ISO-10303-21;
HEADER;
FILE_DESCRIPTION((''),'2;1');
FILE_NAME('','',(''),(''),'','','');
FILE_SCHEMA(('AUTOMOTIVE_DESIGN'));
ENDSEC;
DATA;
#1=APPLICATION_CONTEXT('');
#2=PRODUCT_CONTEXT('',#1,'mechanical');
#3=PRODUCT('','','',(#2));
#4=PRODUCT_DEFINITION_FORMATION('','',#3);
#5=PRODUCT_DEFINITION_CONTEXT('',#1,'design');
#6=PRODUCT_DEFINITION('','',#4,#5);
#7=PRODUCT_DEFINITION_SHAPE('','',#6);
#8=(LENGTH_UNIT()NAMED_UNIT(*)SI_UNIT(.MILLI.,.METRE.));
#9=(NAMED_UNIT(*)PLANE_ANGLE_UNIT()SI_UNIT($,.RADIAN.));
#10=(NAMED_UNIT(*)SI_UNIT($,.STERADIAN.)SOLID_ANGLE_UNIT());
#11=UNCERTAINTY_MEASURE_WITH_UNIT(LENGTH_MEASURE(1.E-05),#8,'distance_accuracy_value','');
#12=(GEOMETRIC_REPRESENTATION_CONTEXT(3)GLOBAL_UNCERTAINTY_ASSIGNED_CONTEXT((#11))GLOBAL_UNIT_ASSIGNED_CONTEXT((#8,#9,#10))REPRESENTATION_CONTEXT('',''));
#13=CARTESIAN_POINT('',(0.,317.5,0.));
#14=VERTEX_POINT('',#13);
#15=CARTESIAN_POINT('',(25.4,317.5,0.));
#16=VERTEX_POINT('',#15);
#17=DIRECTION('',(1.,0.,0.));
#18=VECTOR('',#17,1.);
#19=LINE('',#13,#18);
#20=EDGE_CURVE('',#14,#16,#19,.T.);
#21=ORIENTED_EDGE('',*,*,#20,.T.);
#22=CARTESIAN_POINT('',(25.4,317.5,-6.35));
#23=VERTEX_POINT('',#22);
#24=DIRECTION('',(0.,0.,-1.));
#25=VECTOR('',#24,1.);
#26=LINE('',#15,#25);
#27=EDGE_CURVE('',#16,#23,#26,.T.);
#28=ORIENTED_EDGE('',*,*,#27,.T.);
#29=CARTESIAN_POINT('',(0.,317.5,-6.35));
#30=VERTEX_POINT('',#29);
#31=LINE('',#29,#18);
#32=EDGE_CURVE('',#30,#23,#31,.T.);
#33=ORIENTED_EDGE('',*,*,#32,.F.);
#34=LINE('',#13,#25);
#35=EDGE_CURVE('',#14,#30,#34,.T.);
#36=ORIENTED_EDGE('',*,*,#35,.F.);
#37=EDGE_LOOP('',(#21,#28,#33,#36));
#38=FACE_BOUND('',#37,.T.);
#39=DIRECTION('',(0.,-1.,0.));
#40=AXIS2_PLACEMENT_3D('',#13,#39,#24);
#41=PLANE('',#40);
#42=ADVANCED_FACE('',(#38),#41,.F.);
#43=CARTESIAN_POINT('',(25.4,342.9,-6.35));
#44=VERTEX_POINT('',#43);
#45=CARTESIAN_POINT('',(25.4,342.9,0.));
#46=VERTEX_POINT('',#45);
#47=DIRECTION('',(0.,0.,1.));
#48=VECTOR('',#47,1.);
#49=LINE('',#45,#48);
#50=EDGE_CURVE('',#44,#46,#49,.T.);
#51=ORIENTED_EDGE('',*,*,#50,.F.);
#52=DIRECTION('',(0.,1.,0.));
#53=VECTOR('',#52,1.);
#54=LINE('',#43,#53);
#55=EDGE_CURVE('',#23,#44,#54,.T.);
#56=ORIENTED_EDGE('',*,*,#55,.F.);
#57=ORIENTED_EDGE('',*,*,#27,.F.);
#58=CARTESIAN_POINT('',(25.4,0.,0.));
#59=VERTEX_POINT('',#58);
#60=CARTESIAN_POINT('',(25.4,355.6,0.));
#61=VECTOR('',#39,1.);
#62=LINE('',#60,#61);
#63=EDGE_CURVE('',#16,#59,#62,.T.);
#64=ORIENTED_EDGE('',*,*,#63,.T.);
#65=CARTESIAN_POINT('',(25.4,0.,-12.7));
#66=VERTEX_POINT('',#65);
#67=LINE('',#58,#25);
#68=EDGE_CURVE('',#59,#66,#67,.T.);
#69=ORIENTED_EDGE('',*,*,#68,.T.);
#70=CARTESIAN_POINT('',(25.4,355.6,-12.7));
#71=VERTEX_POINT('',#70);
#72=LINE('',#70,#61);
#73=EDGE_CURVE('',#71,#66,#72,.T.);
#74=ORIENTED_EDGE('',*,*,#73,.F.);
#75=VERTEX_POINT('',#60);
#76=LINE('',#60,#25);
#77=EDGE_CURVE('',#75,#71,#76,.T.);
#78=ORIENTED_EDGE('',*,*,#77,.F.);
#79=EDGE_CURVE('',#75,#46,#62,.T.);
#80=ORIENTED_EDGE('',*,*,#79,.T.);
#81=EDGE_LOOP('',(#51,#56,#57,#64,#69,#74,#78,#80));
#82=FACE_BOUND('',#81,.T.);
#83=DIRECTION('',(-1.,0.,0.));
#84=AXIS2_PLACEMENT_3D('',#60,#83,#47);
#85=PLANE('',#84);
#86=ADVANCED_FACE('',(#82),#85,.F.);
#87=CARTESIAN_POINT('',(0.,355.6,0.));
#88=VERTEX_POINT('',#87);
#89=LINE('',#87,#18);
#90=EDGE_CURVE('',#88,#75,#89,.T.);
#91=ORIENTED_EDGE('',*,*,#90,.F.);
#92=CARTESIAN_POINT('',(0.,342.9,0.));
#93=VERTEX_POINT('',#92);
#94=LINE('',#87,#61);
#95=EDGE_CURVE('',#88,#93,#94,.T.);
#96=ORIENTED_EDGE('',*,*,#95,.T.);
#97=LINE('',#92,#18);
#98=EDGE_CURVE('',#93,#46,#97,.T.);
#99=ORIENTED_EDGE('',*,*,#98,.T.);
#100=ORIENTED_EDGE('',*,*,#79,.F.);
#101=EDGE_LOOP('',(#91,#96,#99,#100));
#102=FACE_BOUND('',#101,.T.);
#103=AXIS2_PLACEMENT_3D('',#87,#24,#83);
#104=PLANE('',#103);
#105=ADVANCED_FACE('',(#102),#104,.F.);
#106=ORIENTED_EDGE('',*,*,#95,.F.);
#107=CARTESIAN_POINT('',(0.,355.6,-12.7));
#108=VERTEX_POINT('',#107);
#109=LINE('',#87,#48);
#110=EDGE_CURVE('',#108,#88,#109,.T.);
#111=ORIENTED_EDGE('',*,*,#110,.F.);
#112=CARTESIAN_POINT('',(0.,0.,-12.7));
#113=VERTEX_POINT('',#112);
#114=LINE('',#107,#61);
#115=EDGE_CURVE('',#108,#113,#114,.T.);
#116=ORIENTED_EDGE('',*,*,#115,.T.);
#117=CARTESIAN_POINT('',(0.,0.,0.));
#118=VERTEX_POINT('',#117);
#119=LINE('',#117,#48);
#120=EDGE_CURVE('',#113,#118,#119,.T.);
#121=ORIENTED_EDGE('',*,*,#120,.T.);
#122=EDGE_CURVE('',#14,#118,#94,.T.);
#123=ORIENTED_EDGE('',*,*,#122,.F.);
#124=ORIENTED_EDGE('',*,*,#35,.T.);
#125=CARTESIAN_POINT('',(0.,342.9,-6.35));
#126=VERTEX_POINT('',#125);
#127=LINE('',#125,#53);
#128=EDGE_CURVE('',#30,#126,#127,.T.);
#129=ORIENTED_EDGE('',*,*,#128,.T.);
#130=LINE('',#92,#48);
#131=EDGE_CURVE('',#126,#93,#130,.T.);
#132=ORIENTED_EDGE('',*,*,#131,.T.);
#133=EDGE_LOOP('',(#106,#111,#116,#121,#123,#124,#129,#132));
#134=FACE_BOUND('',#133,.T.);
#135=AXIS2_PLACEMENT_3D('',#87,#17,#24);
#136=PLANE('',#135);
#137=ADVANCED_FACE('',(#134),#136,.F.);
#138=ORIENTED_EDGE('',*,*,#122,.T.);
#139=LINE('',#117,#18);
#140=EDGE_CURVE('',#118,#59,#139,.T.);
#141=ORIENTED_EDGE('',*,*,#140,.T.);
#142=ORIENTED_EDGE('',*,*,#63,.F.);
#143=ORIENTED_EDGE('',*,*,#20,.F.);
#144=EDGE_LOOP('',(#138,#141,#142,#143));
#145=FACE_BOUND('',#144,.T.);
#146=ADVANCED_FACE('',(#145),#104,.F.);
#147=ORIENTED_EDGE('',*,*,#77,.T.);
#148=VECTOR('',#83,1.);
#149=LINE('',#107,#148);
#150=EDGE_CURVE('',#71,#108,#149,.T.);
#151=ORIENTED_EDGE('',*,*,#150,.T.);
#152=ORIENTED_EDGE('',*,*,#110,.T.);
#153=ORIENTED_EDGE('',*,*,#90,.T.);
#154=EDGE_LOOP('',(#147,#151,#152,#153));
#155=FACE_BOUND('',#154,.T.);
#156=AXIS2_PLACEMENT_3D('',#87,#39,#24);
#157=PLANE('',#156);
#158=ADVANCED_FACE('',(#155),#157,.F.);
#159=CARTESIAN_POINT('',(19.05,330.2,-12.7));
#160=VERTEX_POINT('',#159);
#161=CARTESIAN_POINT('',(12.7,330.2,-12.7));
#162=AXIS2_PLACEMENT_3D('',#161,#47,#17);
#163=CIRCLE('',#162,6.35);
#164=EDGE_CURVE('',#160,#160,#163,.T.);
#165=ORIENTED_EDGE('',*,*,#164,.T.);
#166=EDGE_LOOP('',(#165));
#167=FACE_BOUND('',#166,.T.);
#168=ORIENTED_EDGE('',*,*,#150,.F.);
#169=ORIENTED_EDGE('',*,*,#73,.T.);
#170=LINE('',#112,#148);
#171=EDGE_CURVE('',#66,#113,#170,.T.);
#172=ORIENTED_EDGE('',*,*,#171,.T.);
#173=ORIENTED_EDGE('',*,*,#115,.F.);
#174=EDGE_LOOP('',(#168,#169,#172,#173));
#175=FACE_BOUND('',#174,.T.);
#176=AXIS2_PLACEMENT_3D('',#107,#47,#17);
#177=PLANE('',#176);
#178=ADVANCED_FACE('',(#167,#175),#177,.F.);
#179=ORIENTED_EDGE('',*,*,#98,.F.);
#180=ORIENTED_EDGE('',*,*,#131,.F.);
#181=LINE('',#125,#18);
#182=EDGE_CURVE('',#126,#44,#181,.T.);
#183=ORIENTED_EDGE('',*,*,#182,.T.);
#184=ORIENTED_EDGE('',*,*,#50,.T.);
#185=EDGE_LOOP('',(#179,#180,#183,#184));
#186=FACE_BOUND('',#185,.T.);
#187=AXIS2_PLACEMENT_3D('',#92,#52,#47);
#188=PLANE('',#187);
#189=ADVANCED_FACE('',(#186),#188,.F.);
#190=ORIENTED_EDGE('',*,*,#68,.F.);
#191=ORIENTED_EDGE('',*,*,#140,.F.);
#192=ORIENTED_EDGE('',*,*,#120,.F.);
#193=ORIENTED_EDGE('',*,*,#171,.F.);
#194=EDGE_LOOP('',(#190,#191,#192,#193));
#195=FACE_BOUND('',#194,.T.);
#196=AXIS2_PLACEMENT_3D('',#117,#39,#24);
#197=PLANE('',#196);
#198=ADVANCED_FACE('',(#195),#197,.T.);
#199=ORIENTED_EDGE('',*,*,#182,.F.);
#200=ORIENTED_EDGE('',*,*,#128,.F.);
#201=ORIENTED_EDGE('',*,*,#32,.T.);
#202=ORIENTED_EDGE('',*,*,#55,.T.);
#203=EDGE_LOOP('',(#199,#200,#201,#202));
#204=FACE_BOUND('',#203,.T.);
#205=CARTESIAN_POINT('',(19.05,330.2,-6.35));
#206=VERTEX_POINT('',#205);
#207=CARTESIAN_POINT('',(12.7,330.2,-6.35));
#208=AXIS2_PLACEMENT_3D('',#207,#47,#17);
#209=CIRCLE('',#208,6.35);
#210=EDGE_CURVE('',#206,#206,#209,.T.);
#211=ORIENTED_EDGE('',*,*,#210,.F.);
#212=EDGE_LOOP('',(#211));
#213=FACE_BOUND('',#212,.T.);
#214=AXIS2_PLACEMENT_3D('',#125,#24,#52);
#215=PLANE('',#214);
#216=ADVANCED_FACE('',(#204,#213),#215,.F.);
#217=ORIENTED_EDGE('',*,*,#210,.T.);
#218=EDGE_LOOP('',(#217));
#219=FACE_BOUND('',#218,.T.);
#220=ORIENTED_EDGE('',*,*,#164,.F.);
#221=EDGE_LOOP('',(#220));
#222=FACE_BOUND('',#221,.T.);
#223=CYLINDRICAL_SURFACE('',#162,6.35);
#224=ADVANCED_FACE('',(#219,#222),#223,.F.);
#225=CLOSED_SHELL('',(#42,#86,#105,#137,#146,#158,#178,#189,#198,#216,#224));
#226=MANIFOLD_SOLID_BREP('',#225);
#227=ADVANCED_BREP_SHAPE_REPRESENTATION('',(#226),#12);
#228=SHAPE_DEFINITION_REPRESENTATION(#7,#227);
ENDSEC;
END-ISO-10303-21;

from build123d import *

# Parameters (mm, degrees)
SKETCH1_W           = 25.4
SKETCH1_H           = 12.7
BOSS_EXTRUDE1_DEPTH = 355.6
SKETCH2_W           = 6.35
SKETCH2_H           = 25.4
CUT_EXTRUDE1_DEPTH  = 357.732126392
SKETCH3_R           = 6.35
CUT_EXTRUDE2_DEPTH  = 357.562536591


with BuildPart() as part:
    # Sketch1 → Boss-Extrude1 (new body)
    with BuildSketch(Plane(origin=(0, 0, 0), x_dir=(1, 0, 0), z_dir=(0, 1, 0))):
        with Locations((12.7, 6.35)):
            Rectangle(SKETCH1_W, SKETCH1_H)
    extrude(amount=BOSS_EXTRUDE1_DEPTH)

    # Sketch2 → Cut-Extrude1 (cut, through all)
    with BuildSketch(Plane(origin=(25.4, 0, 0), x_dir=(0, 0, -1), z_dir=(1, 0, 0))):
        with Locations((3.175, 330.2)):
            Rectangle(SKETCH2_W, SKETCH2_H)
    extrude(amount=-CUT_EXTRUDE1_DEPTH, mode=Mode.SUBTRACT)

    # Sketch3 → Cut-Extrude2 (cut, through all)
    with BuildSketch(Plane.XY.offset(-6.35)):
        with Locations((12.7, 330.2)):
            Circle(SKETCH3_R)
    extrude(amount=-CUT_EXTRUDE2_DEPTH, mode=Mode.SUBTRACT)


solid = part.part
